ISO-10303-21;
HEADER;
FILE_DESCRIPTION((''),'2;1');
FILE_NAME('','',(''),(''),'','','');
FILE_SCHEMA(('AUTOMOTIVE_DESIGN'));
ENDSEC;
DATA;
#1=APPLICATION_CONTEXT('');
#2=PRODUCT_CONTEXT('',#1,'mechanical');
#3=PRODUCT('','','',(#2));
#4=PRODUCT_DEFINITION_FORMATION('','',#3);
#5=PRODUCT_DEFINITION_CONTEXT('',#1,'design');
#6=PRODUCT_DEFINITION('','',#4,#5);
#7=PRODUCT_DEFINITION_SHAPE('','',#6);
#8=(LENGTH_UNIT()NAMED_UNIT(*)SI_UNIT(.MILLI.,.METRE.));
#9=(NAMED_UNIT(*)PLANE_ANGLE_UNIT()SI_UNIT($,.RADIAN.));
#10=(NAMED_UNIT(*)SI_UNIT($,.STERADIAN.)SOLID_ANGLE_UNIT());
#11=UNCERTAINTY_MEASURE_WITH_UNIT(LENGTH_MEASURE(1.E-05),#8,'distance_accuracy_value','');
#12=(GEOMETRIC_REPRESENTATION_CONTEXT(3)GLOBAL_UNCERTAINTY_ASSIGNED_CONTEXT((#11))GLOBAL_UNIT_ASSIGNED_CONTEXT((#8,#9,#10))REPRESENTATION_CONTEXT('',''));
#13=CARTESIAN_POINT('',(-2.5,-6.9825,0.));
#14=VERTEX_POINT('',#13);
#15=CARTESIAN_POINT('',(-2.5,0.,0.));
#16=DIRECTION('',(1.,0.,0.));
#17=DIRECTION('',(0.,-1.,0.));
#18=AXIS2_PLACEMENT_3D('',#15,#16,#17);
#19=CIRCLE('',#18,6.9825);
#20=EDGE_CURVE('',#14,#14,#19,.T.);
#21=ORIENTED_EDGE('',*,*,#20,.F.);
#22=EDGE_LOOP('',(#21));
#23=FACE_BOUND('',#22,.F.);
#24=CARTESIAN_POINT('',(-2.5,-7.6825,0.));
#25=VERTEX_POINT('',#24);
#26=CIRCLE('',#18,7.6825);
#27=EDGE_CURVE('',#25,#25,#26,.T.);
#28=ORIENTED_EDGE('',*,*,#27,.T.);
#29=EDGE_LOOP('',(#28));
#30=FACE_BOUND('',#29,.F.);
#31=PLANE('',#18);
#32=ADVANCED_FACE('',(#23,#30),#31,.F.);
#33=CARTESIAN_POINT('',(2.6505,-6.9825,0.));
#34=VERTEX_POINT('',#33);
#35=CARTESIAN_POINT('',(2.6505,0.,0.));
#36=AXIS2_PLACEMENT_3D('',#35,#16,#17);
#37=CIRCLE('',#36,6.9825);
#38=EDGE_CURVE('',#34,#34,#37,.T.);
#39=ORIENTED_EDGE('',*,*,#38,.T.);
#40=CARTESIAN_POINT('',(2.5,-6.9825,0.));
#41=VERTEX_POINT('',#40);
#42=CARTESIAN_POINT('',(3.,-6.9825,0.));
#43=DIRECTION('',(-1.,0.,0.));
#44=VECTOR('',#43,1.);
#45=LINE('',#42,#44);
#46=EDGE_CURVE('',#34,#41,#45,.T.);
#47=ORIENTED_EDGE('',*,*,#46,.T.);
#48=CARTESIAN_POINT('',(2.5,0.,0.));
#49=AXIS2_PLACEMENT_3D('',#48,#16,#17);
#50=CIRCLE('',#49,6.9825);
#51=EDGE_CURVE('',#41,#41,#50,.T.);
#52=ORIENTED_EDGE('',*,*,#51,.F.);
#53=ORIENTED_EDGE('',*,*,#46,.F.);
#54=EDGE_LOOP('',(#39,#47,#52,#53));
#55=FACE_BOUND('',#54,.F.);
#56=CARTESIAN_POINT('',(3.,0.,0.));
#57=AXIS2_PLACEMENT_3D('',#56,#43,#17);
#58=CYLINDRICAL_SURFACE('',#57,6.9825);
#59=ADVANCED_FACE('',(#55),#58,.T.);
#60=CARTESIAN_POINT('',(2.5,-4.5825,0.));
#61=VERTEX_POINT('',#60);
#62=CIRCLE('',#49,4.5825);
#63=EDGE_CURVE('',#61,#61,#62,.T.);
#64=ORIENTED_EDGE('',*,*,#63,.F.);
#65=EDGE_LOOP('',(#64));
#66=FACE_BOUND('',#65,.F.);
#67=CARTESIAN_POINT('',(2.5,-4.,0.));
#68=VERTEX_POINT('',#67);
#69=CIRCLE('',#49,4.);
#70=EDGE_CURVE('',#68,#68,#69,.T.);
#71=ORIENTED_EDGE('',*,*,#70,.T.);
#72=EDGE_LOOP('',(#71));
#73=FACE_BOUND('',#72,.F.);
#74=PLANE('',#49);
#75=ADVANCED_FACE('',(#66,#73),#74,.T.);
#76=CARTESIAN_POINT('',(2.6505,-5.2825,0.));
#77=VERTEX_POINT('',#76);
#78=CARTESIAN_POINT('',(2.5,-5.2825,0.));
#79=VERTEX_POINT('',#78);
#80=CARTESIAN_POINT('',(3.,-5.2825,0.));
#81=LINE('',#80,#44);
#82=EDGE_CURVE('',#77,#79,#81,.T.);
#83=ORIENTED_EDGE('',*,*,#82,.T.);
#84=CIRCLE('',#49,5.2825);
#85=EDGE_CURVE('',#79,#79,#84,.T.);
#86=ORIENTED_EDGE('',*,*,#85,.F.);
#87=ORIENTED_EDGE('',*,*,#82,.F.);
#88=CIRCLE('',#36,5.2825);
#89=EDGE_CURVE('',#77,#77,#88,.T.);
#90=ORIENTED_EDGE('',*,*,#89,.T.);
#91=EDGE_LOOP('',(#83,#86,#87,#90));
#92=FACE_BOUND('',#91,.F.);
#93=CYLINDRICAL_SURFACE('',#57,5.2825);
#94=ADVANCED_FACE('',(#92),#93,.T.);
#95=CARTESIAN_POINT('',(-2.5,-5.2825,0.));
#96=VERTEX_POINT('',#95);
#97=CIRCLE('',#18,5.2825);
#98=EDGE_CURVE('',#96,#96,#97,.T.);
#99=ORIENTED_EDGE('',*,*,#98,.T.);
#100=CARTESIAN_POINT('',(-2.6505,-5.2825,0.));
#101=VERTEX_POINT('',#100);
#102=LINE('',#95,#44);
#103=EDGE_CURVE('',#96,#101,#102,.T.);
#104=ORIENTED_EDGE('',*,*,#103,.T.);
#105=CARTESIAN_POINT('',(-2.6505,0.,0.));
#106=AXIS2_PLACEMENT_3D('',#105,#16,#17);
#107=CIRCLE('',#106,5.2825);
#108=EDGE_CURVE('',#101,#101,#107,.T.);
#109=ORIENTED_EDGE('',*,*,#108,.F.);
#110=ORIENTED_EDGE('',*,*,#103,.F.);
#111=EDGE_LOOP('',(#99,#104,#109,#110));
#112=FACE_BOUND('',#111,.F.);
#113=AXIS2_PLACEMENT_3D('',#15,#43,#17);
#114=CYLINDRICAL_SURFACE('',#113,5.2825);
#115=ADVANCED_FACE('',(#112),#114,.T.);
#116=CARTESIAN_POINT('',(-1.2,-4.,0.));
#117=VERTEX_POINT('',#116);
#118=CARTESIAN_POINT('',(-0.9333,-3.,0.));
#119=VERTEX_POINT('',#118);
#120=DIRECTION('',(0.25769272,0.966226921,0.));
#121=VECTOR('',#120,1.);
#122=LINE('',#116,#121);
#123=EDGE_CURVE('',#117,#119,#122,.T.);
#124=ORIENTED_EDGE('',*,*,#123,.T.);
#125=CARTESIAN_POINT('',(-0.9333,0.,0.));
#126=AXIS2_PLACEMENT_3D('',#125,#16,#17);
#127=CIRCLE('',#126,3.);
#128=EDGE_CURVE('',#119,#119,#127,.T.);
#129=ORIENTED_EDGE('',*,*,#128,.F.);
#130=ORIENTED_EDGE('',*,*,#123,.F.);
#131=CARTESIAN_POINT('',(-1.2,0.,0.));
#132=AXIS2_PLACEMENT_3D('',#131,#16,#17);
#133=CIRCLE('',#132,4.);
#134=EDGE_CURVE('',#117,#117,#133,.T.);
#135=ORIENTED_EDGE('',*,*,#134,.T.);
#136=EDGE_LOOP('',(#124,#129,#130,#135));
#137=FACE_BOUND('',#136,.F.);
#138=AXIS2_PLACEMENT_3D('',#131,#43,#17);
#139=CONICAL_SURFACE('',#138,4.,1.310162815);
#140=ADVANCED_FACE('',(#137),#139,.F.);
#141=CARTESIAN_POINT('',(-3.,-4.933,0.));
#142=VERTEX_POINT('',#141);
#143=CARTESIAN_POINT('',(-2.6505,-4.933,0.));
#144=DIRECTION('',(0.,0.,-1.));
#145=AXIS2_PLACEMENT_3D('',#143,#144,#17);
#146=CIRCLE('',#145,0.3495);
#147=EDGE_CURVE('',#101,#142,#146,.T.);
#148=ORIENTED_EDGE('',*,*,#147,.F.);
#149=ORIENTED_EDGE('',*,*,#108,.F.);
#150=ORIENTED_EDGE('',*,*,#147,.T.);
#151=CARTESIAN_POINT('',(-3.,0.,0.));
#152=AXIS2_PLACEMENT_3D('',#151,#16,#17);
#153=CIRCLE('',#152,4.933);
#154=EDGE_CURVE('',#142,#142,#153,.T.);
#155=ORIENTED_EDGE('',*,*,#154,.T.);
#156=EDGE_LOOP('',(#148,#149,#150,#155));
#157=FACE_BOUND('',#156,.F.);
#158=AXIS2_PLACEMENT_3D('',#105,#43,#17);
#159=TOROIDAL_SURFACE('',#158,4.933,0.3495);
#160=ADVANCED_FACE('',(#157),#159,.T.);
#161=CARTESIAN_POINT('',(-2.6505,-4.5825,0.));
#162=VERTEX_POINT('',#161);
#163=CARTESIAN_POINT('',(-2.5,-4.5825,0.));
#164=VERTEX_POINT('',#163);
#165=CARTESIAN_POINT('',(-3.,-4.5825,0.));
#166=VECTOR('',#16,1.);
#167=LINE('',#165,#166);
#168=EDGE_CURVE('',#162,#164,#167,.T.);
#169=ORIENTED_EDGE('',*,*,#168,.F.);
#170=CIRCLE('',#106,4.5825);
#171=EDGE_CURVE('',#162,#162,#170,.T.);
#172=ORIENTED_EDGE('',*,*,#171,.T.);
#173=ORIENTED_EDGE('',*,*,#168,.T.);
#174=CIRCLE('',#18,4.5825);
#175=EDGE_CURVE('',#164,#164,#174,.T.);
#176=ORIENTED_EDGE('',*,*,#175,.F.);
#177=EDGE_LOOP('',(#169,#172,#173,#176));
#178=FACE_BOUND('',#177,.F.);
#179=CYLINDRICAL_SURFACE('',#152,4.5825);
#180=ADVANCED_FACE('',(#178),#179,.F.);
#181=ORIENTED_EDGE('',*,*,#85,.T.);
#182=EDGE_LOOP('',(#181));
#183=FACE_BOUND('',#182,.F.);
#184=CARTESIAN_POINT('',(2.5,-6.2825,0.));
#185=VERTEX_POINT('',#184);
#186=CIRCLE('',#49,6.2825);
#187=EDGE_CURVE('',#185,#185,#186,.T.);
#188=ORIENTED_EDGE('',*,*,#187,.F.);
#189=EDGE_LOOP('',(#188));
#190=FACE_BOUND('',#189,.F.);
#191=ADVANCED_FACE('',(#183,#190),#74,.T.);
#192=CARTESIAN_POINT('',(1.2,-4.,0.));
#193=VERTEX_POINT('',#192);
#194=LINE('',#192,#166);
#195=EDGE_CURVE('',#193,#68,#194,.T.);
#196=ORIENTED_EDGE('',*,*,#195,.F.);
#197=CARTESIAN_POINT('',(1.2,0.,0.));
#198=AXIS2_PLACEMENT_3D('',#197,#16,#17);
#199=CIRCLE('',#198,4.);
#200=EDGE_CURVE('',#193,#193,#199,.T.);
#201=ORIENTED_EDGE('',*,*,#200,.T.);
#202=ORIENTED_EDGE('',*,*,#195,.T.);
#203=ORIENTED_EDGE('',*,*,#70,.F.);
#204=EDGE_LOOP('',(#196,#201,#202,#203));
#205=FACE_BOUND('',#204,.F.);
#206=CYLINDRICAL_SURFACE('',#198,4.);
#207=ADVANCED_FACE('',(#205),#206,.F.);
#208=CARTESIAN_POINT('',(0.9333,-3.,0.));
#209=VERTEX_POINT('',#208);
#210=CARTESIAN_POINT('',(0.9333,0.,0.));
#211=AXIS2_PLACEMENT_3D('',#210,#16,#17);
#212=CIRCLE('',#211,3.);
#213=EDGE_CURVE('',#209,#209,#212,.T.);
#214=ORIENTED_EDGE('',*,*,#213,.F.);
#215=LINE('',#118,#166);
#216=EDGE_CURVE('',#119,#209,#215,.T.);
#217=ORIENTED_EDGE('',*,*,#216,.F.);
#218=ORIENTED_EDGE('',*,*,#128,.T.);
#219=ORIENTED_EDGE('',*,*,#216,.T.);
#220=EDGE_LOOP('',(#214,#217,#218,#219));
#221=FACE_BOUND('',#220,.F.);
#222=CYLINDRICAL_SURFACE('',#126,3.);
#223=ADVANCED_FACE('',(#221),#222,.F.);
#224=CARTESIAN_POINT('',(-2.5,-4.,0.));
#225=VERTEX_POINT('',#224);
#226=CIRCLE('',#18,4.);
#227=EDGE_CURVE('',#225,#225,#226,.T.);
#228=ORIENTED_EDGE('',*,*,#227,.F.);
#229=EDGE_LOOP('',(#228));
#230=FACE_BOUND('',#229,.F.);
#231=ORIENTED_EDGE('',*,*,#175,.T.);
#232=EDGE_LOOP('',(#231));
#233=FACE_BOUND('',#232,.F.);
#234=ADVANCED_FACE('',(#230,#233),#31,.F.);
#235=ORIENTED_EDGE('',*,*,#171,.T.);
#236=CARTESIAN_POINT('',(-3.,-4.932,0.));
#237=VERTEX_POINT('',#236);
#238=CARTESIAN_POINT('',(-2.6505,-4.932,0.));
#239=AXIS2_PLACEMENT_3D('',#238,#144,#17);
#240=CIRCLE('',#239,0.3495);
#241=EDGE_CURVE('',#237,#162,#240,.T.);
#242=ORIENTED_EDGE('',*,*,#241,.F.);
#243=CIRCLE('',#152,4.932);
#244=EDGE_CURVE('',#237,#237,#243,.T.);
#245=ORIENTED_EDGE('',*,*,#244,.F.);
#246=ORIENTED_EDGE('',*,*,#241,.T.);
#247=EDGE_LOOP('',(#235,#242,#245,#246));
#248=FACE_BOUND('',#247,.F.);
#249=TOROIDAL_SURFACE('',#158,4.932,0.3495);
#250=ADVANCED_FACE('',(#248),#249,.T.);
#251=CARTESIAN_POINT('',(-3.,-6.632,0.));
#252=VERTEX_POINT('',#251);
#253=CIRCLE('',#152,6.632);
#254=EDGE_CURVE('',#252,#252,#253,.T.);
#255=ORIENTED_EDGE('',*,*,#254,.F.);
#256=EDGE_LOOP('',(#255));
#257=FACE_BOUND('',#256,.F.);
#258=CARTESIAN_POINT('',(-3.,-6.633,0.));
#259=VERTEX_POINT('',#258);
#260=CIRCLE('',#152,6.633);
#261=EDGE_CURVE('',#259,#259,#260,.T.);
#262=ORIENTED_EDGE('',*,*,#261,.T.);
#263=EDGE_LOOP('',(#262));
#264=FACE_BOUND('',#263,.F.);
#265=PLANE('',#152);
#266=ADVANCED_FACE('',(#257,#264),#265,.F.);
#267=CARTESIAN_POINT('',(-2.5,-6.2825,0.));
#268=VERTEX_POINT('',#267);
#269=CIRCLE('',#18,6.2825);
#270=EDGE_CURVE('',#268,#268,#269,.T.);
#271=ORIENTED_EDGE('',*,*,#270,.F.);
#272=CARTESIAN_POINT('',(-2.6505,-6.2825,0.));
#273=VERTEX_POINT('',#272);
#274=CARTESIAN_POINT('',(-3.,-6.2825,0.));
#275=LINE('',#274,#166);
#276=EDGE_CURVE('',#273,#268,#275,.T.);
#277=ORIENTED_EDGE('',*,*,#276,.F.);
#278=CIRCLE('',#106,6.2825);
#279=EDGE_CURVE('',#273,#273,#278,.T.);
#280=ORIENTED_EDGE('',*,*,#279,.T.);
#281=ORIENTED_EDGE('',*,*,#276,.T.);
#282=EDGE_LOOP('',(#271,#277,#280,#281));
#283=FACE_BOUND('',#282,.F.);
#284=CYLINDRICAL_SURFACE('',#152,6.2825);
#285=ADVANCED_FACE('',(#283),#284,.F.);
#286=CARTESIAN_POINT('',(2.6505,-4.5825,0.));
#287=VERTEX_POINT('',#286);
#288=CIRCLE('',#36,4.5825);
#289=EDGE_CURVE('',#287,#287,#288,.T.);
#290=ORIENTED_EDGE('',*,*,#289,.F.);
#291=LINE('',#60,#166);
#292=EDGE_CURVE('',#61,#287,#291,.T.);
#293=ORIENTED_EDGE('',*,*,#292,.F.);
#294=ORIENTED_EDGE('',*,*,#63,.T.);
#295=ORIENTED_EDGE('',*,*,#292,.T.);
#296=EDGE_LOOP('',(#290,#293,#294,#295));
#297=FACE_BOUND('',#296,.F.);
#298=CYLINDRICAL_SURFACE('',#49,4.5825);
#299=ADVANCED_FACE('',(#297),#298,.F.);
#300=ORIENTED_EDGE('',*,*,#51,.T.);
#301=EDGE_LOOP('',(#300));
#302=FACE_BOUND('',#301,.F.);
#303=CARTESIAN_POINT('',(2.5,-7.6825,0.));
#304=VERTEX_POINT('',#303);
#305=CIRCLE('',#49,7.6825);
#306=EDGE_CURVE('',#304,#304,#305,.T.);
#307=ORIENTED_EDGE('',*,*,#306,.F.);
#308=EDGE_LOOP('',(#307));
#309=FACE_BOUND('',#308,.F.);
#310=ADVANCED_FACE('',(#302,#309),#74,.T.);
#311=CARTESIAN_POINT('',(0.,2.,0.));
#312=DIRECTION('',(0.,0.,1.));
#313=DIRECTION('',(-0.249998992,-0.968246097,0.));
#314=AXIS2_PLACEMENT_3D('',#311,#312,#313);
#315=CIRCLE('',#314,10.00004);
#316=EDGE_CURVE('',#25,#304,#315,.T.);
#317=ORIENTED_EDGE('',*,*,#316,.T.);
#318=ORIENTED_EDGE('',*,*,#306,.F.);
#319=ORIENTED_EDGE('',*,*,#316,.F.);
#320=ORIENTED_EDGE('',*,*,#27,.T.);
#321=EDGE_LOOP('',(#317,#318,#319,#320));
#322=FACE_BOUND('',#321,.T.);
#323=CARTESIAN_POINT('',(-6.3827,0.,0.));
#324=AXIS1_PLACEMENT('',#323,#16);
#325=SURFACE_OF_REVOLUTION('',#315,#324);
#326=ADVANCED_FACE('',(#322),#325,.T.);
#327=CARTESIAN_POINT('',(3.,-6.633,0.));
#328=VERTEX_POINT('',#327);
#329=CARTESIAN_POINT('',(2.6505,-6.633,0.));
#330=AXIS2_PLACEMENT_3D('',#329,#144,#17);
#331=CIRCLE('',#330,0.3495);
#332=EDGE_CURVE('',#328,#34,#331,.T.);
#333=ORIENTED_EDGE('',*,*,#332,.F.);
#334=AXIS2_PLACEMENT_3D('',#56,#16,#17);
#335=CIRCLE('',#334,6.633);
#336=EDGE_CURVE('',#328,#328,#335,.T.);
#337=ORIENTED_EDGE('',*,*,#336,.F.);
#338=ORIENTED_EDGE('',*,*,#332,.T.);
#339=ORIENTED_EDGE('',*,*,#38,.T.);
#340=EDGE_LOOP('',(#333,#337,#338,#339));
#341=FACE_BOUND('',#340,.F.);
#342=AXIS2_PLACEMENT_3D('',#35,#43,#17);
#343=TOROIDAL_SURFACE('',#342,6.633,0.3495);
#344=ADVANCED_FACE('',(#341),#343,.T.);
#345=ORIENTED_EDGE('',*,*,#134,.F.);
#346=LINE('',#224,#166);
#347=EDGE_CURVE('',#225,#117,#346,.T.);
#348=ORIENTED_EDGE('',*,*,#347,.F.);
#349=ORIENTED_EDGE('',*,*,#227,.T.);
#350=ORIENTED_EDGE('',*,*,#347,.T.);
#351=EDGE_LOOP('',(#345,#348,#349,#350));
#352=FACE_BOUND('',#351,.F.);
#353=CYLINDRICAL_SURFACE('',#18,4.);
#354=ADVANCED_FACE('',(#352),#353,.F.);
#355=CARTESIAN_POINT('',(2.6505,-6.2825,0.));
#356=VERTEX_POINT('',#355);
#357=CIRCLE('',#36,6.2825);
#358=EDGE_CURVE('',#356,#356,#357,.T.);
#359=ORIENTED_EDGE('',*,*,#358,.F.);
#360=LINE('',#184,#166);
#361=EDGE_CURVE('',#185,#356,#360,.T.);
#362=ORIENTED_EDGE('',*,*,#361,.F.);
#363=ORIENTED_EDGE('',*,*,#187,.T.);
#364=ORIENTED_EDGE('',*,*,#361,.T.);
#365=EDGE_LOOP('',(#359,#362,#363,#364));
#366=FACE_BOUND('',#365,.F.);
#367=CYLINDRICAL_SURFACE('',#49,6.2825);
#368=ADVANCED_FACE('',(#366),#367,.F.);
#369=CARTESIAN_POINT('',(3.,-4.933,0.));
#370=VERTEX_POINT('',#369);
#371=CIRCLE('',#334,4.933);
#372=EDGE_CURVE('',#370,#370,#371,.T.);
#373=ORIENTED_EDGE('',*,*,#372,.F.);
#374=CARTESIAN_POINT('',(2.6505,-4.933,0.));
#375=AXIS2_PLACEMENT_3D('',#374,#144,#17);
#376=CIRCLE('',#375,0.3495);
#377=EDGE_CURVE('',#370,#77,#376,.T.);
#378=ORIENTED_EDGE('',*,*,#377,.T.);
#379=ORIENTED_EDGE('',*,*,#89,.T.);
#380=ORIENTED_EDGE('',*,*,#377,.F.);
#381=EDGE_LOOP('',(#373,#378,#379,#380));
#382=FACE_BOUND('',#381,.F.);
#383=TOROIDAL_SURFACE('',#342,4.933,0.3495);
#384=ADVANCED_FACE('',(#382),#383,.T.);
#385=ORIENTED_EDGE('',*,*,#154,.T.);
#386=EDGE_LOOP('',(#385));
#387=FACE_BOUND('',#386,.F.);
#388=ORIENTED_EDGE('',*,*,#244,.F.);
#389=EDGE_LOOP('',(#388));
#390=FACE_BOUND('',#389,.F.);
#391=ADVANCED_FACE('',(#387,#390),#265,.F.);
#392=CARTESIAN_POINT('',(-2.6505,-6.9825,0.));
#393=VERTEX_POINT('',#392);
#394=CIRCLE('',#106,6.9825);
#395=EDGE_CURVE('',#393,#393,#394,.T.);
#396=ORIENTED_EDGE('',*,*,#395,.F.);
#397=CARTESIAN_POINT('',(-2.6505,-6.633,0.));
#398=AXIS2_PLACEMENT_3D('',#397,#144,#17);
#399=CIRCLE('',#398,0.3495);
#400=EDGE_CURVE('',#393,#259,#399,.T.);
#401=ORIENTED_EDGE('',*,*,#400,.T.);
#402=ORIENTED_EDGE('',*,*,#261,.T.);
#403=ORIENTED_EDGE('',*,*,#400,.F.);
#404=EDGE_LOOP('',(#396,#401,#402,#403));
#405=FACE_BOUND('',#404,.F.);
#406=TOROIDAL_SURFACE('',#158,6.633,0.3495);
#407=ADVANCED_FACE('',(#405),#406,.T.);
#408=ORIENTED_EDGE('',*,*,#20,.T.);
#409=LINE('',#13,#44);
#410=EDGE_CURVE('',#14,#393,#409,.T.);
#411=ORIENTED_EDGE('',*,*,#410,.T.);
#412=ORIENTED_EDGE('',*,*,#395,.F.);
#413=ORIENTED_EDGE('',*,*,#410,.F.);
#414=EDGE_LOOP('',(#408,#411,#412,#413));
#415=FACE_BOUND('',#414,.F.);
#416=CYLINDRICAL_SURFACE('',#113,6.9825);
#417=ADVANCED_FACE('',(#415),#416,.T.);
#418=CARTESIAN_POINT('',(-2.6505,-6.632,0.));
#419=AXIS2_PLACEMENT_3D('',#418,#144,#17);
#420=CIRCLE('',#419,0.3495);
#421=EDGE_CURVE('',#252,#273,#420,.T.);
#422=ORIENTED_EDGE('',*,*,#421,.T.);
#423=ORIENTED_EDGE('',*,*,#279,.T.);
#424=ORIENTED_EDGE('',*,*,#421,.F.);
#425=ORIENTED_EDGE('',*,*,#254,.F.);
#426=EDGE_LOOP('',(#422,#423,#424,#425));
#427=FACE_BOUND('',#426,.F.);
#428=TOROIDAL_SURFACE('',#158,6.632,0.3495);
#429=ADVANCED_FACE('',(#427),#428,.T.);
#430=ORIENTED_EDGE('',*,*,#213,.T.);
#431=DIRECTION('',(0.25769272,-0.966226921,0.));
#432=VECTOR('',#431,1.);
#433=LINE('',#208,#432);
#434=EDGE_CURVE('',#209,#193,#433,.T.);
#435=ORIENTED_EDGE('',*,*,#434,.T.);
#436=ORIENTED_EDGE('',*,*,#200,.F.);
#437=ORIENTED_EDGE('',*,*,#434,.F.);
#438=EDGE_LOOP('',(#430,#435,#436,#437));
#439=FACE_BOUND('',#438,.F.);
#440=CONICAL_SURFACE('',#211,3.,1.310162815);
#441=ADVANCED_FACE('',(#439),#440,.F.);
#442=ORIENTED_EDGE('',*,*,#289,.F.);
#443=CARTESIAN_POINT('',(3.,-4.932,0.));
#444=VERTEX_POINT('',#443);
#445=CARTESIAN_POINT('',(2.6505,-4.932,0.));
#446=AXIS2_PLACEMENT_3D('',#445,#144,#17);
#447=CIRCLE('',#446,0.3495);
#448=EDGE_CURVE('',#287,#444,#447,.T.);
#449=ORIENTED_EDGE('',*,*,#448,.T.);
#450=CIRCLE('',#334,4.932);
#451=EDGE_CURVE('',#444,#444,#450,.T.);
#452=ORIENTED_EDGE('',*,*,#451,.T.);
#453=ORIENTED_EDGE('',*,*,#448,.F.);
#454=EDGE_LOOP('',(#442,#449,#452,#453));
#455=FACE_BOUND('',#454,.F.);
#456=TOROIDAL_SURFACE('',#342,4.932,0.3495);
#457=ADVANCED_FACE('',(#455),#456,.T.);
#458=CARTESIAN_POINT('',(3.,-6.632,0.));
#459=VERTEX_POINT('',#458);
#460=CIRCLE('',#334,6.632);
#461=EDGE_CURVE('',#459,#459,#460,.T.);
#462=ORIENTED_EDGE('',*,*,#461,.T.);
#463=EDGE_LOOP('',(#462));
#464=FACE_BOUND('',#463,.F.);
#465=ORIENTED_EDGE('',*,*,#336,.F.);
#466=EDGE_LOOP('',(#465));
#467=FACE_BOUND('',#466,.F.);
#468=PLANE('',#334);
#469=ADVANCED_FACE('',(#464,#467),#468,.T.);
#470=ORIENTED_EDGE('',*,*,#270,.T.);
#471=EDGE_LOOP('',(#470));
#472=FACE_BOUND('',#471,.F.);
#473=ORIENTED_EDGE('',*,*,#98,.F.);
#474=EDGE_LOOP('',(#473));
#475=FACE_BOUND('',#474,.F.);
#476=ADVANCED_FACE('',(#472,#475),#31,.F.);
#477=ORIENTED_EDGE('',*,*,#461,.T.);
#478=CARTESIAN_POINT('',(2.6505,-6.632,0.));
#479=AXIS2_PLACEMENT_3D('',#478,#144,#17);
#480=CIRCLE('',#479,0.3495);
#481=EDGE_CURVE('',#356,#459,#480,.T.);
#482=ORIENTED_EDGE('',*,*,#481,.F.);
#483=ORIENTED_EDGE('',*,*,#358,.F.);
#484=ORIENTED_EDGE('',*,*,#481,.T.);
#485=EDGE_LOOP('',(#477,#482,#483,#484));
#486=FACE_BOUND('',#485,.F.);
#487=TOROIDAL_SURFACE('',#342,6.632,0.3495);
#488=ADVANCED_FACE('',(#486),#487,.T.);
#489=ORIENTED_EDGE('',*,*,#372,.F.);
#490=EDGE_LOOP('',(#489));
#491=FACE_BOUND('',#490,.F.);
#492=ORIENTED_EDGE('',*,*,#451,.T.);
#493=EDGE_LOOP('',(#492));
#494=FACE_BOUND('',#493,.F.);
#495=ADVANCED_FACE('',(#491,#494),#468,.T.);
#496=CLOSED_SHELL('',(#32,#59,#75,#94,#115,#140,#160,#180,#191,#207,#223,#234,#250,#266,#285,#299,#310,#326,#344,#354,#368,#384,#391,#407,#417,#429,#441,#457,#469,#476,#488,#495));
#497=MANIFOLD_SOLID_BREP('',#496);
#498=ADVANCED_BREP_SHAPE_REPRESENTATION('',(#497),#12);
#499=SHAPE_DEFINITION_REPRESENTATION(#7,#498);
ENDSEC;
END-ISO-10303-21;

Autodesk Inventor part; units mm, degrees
ref_plane "YZ Plane" through (0, 0, 0) normal (1, 0, 0) x (0, 1, 0)
ref_plane "XZ Plane" through (0, 0, 0) normal (0, 1, 0) x (-1, 0, 0)
ref_plane "XY Plane" through (0, 0, 0) normal (0, 0, 1) x (1, 0, 0)
sketch "Sketch1" plane through (0, 0, 0) normal (0, 0, 1) x (1, 0, 0)
  arc A0 (-2.5, -7.6825) -> (2.5, -7.6825) centre (0, 2) ccw
  line L0 (-2.5, -7.6825) -> (-2.5, -6.9825)
  line L1 (-2.5, -6.9825) -> (-3, -6.9825)
  line L2 (-3, -6.9825) -> (-3, -6.2825)
  line L3 (-3, -6.2825) -> (-2.5, -6.2825)
  line L4 (-2.5, -6.2825) -> (-2.5, -5.2825)
  line L5 (-2.5, -5.2825) -> (-3, -5.2825)
  line L6 (-3, -5.2825) -> (-3, -4.5825)
  line L7 (-3, -4.5825) -> (-2.5, -4.5825)
  line L8 (-2.5, -4.5825) -> (-2.5, -4)
  line L9 (-2.5, -4) -> (-1.2, -4)
  line L10 (-1.2, -4) -> (-0.9333, -3)
  line L11 (-0.9333, -3) -> (0.9333, -3)
  line L12 (0.9333, -3) -> (1.2, -4)
  line L13 (1.2, -4) -> (2.5, -4)
  line L14 (2.5, -4) -> (2.5, -4.5825)
  line L15 (2.5, -4.5825) -> (3, -4.5825)
  line L16 (3, -4.5825) -> (3, -5.2825)
  line L17 (3, -5.2825) -> (2.5, -5.2825)
  line L18 (2.5, -5.2825) -> (2.5, -6.2825)
  line L19 (2.5, -6.2825) -> (3, -6.2825)
  line L20 (3, -6.2825) -> (3, -6.9825)
  line L21 (3, -6.9825) -> (2.5, -6.9825)
  line L22 (2.5, -6.9825) -> (2.5, -7.6825)
  line L23 (-6.3827, 0) -> (6.3827, 0)
  line L24 (0, 0) -> (0, -8) construction
  line L25 (-0.9333, -3) -> (-0.8, -2.5) construction
  line L26 (-0.8, -2.5) -> (0.8, -2.5) construction
  line L27 (0.8, -2.5) -> (0.9333, -3) construction
  point P0 (0, -3)
  dimension "d0" = 5
  dimension "d1" = 6
  dimension "d2" = 6
  dimension "d3" = 0.7
  dimension "d4" = 16
  dimension "d5" = 1
  dimension "d6" = 10
  dimension "d7" = 2.4
  dimension "d8" = 8
  dimension "d9" = 1.5
  dimension "d10" = 1.6
revolve "Revolution1" add sketch "Sketch1" angle 360 about axis through (-6.3827, 0, 0) along (1, 0, 0)
fillet "Fillet1" radius 0.35 8 edges at (3, 6.9825, 0) (3, 6.2825, 0) (3, 5.2825, 0) (3, 4.5825, 0) (-3, 6.2825, 0) (-3, 4.5825, 0) (-3, 6.9825, 0) (-3, 5.2825, 0)
properties part number "3139" material "Steel"
